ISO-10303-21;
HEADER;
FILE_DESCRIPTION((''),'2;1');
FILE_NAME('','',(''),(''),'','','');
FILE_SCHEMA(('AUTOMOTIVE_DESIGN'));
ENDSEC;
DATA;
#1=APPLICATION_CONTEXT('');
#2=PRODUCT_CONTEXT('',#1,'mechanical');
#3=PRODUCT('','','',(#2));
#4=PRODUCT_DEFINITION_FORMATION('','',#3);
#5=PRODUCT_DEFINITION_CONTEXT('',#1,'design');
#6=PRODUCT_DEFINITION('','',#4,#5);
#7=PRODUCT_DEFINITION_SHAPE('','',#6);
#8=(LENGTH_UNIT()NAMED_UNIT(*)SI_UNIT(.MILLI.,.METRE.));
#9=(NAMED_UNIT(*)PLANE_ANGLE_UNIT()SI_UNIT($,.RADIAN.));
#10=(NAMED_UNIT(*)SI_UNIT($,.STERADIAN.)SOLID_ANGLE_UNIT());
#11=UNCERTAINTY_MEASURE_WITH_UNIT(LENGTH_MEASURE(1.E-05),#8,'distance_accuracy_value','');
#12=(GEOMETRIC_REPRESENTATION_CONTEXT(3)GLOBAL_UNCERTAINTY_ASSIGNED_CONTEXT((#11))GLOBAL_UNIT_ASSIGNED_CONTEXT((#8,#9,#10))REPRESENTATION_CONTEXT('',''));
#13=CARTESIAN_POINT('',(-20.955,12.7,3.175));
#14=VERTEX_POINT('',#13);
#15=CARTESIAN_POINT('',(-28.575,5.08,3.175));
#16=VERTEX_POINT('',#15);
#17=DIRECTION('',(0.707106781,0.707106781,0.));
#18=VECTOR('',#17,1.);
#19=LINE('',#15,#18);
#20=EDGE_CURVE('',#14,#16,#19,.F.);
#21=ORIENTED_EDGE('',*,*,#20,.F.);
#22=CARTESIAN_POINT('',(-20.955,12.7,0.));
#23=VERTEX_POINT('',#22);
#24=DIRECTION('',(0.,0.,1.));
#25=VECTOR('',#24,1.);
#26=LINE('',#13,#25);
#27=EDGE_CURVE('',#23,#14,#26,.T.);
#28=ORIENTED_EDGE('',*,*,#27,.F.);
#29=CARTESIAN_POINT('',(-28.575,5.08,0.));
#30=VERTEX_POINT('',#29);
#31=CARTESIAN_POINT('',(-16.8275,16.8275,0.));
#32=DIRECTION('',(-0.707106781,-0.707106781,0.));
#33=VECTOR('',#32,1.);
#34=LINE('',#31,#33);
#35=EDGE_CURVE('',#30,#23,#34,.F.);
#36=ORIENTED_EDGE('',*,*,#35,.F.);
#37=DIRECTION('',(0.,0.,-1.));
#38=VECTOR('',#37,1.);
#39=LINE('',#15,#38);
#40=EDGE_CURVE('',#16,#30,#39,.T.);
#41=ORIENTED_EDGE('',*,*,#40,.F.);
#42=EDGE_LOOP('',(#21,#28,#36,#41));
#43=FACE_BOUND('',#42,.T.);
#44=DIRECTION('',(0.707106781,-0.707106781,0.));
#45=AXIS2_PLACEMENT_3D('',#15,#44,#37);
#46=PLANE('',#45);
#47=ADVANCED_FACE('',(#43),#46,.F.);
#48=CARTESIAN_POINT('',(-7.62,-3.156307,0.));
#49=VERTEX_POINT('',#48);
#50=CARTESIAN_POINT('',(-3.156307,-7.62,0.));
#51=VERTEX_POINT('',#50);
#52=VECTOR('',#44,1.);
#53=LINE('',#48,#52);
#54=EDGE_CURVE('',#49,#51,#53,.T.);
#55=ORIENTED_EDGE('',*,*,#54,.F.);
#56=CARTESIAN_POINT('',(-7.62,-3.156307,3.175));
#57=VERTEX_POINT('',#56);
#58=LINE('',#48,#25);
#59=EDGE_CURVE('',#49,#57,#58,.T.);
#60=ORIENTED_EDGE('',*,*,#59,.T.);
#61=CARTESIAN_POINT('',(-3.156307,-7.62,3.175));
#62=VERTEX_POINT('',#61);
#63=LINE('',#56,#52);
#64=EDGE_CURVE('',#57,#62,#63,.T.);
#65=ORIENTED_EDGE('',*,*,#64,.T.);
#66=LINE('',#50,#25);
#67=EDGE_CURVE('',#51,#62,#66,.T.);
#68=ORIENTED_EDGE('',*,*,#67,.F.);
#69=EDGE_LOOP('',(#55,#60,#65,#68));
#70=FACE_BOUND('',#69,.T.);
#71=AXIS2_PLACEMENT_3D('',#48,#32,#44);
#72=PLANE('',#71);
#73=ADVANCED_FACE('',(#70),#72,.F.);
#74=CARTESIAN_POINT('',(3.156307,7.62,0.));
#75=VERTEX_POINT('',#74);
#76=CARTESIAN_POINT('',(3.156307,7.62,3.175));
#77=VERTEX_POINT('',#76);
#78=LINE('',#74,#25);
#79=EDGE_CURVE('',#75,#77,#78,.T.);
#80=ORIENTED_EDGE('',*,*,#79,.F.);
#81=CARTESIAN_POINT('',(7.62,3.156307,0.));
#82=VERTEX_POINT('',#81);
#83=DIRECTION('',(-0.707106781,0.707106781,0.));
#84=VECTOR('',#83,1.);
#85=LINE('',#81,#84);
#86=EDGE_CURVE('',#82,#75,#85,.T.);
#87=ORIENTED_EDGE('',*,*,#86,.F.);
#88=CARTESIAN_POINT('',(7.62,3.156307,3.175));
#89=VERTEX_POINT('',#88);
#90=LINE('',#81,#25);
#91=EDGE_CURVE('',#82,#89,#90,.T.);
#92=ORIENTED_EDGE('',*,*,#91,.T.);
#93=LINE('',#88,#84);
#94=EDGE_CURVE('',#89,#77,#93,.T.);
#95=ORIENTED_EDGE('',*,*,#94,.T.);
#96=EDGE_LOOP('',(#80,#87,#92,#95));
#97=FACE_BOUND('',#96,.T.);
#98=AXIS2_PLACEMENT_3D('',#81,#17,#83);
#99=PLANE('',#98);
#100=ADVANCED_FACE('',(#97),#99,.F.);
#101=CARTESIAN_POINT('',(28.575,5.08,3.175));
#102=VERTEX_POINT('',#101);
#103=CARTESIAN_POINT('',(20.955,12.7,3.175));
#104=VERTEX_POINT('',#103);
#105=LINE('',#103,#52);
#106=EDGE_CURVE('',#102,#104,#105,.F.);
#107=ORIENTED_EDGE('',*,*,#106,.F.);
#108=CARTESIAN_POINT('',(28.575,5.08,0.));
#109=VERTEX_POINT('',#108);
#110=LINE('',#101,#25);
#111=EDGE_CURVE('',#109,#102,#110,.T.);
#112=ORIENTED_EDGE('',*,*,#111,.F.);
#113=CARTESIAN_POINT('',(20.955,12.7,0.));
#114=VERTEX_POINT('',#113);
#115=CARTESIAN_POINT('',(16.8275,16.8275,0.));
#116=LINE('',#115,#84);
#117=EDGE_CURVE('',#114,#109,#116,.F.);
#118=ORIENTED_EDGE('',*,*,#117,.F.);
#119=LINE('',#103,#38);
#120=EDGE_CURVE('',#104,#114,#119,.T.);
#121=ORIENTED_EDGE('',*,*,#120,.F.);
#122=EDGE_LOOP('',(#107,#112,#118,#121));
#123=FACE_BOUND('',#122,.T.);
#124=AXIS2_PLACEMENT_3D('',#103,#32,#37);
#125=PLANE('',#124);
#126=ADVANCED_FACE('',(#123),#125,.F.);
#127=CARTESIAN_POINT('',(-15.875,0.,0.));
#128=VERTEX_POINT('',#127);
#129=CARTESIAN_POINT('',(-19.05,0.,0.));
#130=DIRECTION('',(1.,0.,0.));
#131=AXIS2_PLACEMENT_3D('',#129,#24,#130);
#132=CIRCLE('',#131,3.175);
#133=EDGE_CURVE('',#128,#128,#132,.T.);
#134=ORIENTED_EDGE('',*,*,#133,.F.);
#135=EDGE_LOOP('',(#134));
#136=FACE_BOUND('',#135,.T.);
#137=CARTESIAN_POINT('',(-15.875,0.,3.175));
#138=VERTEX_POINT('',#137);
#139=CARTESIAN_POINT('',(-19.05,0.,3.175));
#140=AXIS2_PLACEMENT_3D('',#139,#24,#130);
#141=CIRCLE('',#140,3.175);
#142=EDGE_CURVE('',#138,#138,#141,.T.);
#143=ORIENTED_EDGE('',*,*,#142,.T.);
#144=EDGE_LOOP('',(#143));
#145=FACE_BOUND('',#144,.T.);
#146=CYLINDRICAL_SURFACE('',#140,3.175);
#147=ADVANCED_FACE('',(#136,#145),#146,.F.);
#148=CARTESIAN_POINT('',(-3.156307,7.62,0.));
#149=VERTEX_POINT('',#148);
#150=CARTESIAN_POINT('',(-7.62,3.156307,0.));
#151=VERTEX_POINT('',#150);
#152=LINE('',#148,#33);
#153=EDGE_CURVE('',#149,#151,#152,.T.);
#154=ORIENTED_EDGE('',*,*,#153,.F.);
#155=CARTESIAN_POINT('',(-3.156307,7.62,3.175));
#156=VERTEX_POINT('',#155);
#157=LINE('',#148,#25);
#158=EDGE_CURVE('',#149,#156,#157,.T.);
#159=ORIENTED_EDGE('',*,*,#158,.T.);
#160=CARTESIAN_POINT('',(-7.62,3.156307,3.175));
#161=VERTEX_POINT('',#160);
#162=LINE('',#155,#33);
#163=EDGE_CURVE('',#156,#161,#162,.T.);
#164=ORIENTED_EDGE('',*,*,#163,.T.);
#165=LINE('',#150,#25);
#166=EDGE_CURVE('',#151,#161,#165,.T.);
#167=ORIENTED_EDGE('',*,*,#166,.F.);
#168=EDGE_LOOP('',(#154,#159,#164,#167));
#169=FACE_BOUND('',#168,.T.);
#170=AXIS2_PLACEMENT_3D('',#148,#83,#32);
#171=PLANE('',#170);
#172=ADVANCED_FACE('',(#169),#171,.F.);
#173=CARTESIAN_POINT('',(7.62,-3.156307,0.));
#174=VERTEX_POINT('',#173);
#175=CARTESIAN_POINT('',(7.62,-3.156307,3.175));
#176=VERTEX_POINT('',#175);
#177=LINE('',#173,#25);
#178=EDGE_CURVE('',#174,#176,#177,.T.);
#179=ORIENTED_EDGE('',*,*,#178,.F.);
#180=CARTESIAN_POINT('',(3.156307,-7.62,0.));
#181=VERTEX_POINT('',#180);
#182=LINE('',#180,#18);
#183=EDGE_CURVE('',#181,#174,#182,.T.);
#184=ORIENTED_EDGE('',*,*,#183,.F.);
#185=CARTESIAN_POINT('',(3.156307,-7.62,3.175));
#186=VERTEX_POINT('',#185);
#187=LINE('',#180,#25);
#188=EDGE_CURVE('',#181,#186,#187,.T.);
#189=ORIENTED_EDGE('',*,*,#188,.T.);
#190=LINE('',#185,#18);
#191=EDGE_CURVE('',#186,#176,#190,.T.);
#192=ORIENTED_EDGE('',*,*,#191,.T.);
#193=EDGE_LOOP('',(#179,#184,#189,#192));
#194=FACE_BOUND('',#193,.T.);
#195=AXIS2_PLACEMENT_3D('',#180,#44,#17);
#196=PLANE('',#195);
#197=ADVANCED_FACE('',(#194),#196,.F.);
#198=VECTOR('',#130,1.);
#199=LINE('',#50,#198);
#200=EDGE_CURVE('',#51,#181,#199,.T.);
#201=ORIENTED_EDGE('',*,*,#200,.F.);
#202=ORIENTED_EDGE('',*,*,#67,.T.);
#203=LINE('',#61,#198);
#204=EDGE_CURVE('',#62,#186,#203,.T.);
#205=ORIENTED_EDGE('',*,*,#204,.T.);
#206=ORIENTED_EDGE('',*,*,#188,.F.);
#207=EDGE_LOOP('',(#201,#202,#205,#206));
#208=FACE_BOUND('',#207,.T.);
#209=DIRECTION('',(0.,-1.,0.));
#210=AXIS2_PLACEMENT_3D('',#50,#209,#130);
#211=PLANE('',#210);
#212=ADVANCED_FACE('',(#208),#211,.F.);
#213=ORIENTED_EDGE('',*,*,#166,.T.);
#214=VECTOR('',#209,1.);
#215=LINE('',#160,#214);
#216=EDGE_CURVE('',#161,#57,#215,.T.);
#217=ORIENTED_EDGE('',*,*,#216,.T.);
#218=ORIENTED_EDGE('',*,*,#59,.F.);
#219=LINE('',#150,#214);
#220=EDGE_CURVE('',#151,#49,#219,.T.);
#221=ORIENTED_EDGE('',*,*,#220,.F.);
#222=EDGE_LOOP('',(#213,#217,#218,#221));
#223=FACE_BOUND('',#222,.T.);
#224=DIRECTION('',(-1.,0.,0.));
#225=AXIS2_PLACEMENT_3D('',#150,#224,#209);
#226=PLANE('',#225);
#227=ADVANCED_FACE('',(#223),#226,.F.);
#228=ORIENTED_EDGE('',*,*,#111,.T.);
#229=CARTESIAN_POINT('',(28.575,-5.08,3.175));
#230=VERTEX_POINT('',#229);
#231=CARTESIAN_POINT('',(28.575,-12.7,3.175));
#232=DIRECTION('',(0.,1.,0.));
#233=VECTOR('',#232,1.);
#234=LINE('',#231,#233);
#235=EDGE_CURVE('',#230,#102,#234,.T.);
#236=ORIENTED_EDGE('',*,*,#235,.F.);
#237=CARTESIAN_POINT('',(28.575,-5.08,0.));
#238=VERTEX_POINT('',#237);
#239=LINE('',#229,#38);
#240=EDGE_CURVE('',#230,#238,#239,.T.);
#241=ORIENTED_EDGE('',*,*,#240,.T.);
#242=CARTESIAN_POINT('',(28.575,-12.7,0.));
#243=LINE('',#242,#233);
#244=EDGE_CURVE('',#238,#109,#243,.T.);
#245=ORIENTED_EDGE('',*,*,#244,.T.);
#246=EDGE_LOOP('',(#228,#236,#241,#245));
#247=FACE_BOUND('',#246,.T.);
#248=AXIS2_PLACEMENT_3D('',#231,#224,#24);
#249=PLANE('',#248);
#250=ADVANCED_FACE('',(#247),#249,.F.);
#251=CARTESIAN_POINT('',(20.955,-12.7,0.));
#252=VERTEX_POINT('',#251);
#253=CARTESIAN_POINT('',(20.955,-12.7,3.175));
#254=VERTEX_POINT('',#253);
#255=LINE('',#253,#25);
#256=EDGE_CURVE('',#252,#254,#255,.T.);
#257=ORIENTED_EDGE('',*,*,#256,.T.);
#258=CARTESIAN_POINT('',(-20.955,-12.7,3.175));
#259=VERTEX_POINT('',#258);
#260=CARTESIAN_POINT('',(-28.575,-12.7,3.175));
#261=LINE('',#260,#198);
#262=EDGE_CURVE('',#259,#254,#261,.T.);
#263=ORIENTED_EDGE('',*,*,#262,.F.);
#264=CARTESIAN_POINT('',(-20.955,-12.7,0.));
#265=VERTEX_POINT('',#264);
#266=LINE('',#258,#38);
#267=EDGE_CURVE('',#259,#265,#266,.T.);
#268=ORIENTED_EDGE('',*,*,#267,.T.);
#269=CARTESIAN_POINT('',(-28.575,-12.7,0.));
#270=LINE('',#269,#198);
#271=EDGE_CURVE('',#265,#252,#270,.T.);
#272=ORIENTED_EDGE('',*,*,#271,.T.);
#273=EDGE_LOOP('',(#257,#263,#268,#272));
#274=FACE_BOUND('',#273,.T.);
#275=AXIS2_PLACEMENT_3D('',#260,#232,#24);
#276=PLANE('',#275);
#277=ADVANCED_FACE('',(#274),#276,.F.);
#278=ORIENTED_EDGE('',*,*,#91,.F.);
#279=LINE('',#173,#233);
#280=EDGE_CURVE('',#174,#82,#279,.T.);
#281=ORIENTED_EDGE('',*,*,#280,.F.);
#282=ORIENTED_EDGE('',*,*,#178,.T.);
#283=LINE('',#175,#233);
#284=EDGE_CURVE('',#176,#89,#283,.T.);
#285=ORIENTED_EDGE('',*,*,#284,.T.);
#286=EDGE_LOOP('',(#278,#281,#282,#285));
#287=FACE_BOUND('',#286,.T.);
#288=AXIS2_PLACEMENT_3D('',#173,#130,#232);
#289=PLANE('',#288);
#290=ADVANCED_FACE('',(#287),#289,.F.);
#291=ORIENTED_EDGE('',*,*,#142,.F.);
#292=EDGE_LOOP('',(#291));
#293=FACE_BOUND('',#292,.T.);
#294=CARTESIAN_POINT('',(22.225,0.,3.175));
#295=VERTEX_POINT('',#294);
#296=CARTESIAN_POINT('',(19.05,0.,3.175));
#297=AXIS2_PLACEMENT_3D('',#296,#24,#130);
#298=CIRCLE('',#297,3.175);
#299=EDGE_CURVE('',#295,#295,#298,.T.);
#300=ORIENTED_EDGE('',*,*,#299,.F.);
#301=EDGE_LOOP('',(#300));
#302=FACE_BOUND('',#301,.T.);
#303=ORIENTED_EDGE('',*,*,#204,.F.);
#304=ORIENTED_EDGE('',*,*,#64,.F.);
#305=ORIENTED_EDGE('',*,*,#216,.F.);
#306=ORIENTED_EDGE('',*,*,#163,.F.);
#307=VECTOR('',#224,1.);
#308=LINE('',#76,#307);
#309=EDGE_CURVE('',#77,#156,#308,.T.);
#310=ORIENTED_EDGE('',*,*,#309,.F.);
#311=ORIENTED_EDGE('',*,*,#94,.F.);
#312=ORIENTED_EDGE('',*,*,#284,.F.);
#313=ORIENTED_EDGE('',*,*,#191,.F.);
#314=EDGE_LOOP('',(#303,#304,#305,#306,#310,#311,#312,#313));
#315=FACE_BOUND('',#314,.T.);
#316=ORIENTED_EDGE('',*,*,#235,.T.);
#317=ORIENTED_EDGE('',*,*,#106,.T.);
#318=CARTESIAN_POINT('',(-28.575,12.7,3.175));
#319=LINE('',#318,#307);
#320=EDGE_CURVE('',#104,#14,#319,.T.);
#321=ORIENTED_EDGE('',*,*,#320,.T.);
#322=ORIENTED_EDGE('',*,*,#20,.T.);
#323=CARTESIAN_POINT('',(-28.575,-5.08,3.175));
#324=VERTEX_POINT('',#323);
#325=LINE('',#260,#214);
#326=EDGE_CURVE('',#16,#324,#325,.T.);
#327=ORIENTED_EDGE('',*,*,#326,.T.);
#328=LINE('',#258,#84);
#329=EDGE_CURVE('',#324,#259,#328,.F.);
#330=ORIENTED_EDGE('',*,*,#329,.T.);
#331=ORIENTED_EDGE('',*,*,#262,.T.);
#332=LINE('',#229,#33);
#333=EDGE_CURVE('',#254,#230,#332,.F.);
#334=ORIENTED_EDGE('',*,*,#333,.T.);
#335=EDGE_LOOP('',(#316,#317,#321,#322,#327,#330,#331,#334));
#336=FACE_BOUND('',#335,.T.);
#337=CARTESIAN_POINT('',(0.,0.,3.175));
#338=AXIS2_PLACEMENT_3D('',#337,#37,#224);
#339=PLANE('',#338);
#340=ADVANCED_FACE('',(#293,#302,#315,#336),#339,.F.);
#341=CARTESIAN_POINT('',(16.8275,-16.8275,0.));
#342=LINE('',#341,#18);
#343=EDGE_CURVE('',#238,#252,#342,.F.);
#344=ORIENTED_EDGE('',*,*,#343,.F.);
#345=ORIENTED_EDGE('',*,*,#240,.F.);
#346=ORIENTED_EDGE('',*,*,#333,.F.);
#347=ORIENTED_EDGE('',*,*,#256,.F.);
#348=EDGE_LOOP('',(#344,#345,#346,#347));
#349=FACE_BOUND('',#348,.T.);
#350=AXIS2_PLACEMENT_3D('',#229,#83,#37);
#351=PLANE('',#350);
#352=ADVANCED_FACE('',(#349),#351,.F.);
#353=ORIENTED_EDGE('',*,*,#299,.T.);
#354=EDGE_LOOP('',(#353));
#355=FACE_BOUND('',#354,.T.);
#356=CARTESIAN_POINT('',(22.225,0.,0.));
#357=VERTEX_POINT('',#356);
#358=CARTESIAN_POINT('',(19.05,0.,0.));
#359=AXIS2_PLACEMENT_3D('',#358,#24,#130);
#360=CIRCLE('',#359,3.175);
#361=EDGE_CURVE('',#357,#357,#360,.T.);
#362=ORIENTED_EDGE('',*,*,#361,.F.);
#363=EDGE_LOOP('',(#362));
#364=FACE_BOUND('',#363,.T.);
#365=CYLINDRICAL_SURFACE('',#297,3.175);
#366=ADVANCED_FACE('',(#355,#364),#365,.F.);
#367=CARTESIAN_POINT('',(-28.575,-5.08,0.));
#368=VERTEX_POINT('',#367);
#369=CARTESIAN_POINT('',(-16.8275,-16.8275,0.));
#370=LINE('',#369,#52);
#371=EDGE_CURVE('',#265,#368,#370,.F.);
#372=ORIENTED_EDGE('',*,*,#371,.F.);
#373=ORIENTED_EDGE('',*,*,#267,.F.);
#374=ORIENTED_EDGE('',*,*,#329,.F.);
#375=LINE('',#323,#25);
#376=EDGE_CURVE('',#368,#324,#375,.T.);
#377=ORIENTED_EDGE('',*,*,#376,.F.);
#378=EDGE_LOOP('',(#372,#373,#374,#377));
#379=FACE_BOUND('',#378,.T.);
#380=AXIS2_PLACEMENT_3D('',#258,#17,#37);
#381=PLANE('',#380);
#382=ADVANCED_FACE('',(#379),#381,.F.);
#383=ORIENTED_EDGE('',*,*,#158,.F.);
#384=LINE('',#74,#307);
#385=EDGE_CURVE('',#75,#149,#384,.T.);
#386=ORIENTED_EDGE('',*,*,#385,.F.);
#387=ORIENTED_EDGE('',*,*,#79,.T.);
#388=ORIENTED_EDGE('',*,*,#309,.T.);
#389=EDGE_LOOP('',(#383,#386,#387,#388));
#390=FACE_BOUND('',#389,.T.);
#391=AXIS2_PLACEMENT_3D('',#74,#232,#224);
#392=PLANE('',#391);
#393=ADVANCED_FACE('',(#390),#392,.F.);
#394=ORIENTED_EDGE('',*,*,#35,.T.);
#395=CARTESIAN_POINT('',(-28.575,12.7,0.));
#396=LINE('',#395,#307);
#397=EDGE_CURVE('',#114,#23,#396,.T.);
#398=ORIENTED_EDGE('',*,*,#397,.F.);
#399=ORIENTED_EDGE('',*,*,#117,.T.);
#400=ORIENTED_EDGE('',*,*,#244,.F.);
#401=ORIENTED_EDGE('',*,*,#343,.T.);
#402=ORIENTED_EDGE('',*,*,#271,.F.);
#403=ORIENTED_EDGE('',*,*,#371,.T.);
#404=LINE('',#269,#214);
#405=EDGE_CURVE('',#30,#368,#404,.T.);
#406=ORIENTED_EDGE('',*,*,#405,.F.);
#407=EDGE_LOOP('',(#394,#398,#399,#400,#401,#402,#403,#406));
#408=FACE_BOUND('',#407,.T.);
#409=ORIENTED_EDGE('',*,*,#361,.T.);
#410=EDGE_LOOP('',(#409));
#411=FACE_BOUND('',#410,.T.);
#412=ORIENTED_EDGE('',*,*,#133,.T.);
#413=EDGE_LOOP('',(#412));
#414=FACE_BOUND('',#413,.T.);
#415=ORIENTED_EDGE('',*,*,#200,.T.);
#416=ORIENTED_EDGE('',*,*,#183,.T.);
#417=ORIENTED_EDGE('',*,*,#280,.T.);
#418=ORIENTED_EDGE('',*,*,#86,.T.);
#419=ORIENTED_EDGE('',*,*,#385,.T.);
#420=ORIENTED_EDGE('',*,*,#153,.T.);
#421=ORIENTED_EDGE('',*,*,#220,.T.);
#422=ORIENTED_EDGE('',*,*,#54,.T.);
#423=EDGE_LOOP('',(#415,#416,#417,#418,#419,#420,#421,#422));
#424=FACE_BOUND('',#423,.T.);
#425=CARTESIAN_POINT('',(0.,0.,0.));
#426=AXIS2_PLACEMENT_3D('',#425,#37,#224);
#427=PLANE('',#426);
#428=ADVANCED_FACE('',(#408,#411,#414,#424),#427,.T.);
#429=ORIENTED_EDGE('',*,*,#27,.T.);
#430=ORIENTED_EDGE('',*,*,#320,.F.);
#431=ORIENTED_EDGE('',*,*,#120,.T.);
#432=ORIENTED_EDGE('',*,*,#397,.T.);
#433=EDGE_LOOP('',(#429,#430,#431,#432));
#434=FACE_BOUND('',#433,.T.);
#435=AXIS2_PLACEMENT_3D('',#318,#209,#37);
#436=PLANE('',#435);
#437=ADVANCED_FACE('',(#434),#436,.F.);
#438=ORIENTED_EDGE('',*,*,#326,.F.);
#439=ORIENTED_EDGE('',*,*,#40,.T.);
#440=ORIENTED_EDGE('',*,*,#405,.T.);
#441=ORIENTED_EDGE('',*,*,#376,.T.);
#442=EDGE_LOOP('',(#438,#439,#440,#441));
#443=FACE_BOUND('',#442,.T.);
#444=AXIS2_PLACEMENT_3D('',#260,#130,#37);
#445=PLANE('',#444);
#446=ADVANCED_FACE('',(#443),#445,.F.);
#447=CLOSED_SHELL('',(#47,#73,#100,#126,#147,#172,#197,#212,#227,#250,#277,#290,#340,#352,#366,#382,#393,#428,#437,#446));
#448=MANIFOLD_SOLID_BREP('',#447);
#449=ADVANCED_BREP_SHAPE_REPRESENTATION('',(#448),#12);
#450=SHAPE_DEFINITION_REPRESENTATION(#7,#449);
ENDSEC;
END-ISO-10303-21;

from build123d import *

# Parameters (mm, degrees)
SKETCH2_W           = 57.15
SKETCH2_H           = 25.4
BOSS_EXTRUDE1_DEPTH = 3.175
HOLE1_D             = 6.35
CHAMFER1_SIZE       = 7.62
CUT_EXTRUDE1_DEPTH  = 32.430896424


with BuildPart() as part:
    # Sketch2 → Boss-Extrude1 (new body)
    with BuildSketch(Plane.XY):
        Rectangle(SKETCH2_W, SKETCH2_H)
    extrude(amount=BOSS_EXTRUDE1_DEPTH)

    # Hole1 (through all)
    with Locations(Plane.XY.offset(3.175)):
        with Locations((-19.05, 0), (19.05, 0)):
            Hole(HOLE1_D / 2)

    # Chamfer1
    chamfer1_edges = [part.edges().sort_by_distance(p)[0] for p in [
        (28.575, -12.7, 1.5875),
        (-28.575, -12.7, 1.5875),
        (-28.575, 12.7, 1.5875),
        (28.575, 12.7, 1.5875),
    ]]
    chamfer(chamfer1_edges, length=CHAMFER1_SIZE)

    # Sketch5 → Cut-Extrude1 (cut, through all)
    with BuildSketch(Plane.XY.offset(3.175)):
        Polygon((7.62, 3.156307345), (3.156307345, 7.62), (-3.156307345, 7.62), (-7.62, 3.156307345), (-7.62, -3.156307345), (-3.156307345, -7.62), (3.156307345, -7.62), (7.62, -3.156307345), align=None)
    extrude(amount=-CUT_EXTRUDE1_DEPTH, mode=Mode.SUBTRACT)


solid = part.part
